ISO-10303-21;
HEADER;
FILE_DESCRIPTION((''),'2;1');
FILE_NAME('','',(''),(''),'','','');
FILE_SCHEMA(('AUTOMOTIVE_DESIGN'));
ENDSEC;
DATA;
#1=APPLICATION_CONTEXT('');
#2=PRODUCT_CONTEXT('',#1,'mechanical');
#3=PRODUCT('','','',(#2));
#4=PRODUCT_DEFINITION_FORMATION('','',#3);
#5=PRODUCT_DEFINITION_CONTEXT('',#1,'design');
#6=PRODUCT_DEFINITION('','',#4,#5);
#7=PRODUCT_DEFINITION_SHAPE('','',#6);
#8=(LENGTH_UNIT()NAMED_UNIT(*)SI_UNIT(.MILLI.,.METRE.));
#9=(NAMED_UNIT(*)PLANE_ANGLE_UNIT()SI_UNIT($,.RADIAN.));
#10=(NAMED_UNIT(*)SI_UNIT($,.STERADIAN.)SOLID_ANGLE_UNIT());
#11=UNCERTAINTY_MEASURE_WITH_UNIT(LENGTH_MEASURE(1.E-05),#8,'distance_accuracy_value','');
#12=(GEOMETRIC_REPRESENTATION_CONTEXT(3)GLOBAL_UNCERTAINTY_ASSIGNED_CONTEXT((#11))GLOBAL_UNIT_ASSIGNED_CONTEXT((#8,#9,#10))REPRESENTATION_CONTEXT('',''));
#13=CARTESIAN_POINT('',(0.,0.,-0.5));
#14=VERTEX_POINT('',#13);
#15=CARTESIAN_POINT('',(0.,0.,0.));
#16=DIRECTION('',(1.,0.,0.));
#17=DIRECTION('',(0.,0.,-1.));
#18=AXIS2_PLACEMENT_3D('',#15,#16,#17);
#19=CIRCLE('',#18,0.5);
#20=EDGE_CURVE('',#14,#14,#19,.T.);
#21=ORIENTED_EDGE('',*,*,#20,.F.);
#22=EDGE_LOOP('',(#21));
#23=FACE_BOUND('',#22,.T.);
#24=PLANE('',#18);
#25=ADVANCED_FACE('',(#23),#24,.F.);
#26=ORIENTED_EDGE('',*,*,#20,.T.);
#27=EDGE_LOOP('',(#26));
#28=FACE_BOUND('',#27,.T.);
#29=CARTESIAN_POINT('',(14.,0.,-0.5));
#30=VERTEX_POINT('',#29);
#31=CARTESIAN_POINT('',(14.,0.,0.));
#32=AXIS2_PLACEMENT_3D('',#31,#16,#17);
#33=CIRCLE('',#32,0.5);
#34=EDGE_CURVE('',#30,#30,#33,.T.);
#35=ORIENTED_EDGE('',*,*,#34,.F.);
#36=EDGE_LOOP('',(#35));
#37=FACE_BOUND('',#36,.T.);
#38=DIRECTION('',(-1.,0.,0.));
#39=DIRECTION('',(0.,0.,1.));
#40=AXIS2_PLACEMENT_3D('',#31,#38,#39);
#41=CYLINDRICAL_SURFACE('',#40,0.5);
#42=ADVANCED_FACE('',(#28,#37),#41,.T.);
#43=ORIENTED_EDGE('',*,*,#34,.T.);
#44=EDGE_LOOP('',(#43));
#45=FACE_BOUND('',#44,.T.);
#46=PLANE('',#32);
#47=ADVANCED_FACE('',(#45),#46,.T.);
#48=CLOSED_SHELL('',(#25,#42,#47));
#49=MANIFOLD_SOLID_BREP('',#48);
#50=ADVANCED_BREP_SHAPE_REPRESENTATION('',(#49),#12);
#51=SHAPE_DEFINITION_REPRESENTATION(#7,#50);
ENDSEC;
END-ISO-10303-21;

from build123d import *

# Parameters (mm, degrees)
SKETCH1_R           = 0.5
BOSS_EXTRUDE1_DEPTH = 14


with BuildPart() as part:
    # Sketch1 → Boss-Extrude1 (new body)
    with BuildSketch(Plane(origin=(0, 0, 0), x_dir=(0, 0, -1), z_dir=(1, 0, 0))):
        Circle(SKETCH1_R)
    extrude(amount=BOSS_EXTRUDE1_DEPTH)


solid = part.part
